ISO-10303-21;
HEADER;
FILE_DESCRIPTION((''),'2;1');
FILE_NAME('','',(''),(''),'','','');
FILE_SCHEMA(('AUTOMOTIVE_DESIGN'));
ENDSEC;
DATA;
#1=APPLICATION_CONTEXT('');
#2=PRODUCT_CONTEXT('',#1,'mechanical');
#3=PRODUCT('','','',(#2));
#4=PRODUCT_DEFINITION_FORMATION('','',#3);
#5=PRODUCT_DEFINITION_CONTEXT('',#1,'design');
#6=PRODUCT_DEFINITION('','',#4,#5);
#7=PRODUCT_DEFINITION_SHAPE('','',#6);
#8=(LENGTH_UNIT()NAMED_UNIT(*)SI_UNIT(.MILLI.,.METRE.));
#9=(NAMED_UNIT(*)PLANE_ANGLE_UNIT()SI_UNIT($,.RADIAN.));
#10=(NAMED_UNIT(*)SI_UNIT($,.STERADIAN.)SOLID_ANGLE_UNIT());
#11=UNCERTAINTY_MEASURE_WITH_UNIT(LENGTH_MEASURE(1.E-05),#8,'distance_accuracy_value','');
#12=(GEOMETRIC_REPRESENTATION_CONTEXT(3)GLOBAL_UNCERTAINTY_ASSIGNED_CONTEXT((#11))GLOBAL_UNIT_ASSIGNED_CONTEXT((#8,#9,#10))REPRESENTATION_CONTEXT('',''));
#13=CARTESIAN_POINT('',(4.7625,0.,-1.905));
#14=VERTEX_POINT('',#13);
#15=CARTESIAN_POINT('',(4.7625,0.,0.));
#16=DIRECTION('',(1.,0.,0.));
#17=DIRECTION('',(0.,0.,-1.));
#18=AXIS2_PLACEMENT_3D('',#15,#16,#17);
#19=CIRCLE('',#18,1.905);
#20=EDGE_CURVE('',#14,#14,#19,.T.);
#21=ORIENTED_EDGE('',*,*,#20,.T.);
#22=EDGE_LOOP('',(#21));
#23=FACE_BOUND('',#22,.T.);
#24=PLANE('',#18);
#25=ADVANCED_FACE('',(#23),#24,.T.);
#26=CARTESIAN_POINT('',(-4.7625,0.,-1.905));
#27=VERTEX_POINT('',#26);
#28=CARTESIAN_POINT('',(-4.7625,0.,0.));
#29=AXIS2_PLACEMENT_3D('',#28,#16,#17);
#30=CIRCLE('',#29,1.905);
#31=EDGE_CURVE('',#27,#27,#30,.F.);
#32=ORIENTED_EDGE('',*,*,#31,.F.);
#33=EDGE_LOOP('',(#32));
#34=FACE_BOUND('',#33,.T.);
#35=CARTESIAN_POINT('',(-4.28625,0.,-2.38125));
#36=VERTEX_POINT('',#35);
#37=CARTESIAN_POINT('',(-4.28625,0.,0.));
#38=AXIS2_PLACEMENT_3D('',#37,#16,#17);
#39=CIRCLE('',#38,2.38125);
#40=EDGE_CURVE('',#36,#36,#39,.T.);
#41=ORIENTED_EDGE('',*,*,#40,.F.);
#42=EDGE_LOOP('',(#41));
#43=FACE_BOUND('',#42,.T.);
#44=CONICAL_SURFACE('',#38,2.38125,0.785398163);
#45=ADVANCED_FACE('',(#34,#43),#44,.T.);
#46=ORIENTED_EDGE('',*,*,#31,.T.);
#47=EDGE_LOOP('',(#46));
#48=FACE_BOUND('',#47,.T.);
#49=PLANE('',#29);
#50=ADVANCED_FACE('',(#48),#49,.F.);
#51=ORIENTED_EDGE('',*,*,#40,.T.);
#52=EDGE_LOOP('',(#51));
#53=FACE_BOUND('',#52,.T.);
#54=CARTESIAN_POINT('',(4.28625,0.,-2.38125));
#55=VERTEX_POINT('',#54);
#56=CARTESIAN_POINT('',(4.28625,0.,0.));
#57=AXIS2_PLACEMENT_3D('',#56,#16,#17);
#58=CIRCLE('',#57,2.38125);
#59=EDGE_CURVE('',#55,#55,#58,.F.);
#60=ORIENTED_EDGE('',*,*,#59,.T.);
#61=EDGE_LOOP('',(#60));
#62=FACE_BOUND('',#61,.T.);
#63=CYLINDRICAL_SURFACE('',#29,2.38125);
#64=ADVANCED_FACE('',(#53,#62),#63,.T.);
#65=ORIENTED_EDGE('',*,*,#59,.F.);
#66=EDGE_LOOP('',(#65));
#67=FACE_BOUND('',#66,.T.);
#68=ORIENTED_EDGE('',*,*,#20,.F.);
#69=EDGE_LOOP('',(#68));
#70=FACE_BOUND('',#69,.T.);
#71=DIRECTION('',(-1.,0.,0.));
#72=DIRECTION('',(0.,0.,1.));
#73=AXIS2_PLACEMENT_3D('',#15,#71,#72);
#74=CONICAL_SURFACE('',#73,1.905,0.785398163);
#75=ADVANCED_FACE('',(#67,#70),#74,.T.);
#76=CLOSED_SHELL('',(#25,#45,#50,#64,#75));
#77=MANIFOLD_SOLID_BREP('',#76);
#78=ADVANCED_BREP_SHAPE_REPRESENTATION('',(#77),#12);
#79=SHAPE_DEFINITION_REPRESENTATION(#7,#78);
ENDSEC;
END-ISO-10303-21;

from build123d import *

# Parameters (mm, degrees)
SKETCH2_R           = 2.38125
EXTRUDE1_DEPTH      = 4.7625
EXTRUDE1_DEPTH_BACK = 4.7625
CHAMFER1_SIZE       = 0.47625


with BuildPart() as part:
    # Sketch2 → Extrude1 (new body, two sides)
    with BuildSketch(Plane(origin=(0, 0, 0), x_dir=(0, 0, -1), z_dir=(1, 0, 0))) as extrude1_sk:
        Circle(SKETCH2_R)
    extrude(amount=EXTRUDE1_DEPTH)
    extrude(extrude1_sk.sketch, amount=-EXTRUDE1_DEPTH_BACK)

    # Chamfer1
    chamfer1_edges = [part.edges().sort_by_distance(p)[0] for p in [
        (-4.7625, 0, 2.38125),
        (4.7625, 0, 2.38125),
    ]]
    chamfer(chamfer1_edges, length=CHAMFER1_SIZE)


solid = part.part
